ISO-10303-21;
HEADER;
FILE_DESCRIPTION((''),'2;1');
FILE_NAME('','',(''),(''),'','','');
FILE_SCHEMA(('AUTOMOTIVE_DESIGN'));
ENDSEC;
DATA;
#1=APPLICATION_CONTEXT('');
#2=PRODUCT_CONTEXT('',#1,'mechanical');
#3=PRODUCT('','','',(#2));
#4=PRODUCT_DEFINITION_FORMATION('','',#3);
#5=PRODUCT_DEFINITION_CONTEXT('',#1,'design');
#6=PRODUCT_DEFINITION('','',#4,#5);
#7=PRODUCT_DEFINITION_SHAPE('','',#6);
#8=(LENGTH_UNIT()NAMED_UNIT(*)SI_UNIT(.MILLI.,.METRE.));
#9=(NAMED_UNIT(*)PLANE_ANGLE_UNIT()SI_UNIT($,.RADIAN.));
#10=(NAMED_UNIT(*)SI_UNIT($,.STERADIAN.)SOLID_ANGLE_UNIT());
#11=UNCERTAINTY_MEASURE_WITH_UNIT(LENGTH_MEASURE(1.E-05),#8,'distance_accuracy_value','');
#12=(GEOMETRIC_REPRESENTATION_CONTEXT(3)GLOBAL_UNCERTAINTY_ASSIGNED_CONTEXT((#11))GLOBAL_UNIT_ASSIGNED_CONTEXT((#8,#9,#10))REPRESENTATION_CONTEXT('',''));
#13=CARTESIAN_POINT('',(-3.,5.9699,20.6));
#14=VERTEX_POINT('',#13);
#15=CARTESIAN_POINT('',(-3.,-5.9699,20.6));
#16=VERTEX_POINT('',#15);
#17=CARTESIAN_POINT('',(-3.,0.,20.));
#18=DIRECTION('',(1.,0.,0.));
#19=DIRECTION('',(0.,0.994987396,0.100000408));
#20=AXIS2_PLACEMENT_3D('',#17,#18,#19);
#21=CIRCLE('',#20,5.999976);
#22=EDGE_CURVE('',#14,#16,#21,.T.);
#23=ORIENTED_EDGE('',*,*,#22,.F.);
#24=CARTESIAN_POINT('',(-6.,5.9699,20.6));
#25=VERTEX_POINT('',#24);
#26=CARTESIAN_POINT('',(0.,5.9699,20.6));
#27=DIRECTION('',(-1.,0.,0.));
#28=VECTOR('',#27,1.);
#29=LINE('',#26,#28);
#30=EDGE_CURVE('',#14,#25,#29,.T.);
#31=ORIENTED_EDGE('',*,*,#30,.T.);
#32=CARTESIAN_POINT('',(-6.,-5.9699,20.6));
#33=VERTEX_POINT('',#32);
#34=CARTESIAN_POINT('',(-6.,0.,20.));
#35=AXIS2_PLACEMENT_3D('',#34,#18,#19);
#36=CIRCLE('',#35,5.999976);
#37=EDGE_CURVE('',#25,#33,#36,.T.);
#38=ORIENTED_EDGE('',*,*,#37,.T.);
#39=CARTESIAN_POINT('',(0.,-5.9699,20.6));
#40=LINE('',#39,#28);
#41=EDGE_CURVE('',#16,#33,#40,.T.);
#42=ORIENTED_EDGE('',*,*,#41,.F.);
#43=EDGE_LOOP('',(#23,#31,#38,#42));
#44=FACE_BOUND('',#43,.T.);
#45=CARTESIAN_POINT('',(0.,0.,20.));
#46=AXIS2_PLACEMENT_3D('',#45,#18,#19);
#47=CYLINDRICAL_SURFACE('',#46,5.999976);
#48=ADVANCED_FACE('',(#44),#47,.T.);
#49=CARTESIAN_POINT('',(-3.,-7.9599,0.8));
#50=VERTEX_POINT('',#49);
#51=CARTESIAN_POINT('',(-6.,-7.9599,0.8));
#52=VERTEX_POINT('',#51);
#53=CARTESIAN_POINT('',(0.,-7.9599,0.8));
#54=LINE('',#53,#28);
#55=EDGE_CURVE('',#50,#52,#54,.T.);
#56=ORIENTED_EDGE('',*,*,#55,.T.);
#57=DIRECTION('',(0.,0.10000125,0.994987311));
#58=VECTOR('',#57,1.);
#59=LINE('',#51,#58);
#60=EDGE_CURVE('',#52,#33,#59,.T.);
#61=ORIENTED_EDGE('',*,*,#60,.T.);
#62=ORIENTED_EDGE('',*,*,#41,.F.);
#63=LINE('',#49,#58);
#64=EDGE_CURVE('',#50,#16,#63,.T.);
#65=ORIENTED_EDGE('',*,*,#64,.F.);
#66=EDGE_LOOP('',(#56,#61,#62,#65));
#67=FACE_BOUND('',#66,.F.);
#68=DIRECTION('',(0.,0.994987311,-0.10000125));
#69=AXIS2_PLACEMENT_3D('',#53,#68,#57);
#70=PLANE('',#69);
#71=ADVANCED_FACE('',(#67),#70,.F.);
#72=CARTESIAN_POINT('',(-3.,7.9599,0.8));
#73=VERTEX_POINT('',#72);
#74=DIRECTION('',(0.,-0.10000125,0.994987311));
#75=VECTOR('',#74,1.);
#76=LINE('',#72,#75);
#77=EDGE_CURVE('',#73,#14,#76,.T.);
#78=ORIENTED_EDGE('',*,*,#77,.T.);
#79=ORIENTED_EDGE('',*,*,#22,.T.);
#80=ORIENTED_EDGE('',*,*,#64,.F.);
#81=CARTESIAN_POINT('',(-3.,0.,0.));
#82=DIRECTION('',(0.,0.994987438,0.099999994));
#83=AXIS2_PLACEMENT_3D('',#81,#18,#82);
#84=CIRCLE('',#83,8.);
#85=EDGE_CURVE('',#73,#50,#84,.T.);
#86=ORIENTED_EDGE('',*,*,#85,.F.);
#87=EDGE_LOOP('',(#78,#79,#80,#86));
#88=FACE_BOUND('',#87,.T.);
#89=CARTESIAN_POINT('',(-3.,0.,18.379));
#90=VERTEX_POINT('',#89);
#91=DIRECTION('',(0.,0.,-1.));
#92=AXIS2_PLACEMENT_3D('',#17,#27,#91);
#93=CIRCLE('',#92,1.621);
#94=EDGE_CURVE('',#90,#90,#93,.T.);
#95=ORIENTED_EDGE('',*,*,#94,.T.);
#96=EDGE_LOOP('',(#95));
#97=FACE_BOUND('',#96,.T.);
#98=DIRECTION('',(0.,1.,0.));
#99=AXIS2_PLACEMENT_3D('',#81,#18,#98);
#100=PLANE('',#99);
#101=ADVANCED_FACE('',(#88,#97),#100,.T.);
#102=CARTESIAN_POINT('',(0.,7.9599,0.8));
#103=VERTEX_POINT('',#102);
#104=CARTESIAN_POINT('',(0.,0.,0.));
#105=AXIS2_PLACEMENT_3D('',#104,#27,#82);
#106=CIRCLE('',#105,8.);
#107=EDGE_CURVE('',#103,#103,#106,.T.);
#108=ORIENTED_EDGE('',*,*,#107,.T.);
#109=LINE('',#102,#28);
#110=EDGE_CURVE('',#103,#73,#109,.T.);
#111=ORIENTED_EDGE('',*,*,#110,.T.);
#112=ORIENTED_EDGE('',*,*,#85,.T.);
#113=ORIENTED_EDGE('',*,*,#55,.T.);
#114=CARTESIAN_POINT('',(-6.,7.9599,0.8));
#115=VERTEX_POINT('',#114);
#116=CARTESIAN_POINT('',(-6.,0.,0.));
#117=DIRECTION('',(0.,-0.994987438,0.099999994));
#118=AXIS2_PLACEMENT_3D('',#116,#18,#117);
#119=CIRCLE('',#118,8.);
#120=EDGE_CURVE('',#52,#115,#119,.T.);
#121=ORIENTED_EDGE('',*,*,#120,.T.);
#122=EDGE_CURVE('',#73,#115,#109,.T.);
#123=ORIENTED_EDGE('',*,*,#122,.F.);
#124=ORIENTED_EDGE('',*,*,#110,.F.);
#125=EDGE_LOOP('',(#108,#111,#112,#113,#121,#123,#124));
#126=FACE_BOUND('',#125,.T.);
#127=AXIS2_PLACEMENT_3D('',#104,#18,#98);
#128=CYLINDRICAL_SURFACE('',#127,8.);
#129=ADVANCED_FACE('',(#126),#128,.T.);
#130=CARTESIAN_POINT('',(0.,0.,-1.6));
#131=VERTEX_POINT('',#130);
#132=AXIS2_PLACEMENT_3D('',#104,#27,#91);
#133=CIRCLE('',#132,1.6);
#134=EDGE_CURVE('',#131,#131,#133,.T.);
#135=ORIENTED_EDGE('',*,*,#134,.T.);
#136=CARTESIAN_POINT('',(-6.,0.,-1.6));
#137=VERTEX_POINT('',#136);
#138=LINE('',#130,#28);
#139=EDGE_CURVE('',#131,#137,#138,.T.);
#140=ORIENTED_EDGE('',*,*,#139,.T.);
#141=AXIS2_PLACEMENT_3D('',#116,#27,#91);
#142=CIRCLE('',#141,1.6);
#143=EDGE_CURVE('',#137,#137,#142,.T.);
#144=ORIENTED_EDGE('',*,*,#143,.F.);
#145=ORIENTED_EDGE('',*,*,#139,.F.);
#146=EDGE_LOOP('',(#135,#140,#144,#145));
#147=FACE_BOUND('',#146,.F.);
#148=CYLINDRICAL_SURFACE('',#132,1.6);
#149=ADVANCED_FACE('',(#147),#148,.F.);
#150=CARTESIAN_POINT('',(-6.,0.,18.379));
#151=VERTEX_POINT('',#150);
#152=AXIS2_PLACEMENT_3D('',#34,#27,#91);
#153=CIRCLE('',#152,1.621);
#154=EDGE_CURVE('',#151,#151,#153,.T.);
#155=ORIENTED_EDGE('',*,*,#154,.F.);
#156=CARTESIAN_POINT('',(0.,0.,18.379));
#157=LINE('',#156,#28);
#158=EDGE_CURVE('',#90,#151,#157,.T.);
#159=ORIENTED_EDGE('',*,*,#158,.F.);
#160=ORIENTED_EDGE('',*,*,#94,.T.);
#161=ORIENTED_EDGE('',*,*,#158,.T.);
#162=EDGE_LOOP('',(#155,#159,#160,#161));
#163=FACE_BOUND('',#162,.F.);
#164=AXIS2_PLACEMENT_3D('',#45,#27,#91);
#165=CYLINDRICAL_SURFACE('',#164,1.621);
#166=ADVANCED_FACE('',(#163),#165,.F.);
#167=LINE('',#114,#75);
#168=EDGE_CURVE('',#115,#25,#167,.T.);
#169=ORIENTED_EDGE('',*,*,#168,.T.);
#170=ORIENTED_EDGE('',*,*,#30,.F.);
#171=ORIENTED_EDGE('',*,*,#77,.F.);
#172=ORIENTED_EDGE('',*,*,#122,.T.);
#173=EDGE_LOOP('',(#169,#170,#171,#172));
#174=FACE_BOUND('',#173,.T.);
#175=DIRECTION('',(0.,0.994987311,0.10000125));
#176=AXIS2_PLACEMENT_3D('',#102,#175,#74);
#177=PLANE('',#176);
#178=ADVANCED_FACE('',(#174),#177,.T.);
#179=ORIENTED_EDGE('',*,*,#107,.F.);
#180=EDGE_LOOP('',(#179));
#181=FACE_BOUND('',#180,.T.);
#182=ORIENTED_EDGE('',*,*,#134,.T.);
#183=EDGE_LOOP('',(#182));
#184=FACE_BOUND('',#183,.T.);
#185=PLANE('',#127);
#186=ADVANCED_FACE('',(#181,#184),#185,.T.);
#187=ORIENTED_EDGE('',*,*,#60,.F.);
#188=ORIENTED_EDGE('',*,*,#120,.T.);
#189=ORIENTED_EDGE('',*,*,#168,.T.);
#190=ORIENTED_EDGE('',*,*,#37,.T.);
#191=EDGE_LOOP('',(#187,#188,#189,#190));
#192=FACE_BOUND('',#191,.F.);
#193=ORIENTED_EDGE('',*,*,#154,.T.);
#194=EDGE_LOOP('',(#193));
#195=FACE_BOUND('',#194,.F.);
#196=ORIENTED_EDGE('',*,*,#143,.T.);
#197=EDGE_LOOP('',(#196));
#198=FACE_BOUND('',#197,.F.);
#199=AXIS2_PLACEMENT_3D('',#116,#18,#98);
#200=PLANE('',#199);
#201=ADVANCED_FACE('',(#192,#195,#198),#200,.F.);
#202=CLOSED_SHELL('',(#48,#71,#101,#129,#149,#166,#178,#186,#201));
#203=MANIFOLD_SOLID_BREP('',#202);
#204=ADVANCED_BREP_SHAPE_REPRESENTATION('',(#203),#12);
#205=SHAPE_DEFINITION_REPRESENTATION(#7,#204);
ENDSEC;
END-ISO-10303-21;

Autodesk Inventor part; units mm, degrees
ref_plane "YZ Plane" through (0, 0, 0) normal (1, 0, 0) x (0, 1, 0)
ref_plane "XZ Plane" through (0, 0, 0) normal (0, 1, 0) x (-1, 0, 0)
ref_plane "XY Plane" through (0, 0, 0) normal (0, 0, 1) x (1, 0, 0)
sketch "Sketch1" plane through (0, 0, 0) normal (1, 0, 0) x (0, 1, 0)
  circle A0 centre (0, 0) radius 8
  line L0 (0, 20) -> (0, 0) construction
  arc A1 (5.9699, 20.6) -> (-5.9699, 20.6) centre (0, 20) ccw
  line L1 (-7.9599, 0.8) -> (-5.9699, 20.6)
  line L2 (7.9599, 0.8) -> (5.9699, 20.6)
  line L3 (-5.3312, 5.9647) -> (7.8312, -1.6346) construction
  line L4 (5.3312, -5.9647) -> (-7.8312, 1.6346) construction
  line L5 (-6.9282, 4) -> (6.9282, -4) construction
  line L6 (-5.3116, 5.9823) -> (7.8366, -1.6088)
  line L7 (-7.8366, 1.6088) -> (5.3116, -5.9823)
  line L8 (5.3312, 5.9647) -> (-7.8312, -1.6346) construction
  line L9 (-5.3312, -5.9647) -> (7.8312, 1.6346) construction
  line L10 (6.9282, 4) -> (-6.9282, -4) construction
  line L11 (5.3116, 5.9823) -> (-7.8366, -1.6088)
  line L12 (7.8366, 1.6088) -> (-5.3116, -5.9823)
  line L13 (-7.5911, 2.525) -> (7.5911, 2.525)
  line L14 (-7.5993, 2.5) -> (7.5993, 2.5) construction
  line L15 (-8, 0) -> (8, 0) construction
  line L16 (-7.5911, -2.525) -> (7.5911, -2.525)
  line L17 (-7.5993, -2.5) -> (7.5993, -2.5) construction
  point P0 (7.9599, 0.8)
  point P1 (-5.3116, -5.9823)
  point P2 (0, -2.9156)
  point P3 (5.3116, -5.9823)
  point P4 (5.05, 0)
  point P5 (7.8366, 1.6088)
  point P6 (5.3116, 5.9823)
  point P7 (0, 2.9156)
  point P8 (-7.8366, 1.6088)
  point P9 (-5.05, 0)
  point P10 (-7.8366, -1.6088)
  dimension "d0" = 16
  dimension "d1" = 20
  dimension "d2" = 12
  dimension "d28" = 60
  dimension "d29" = 5
  dimension "d30" = 0.025
  dimension "d31" = 5
  dimension "d32" = 0.025
extrude "Extrusion1" add sketch "Sketch1" against normal blind 6
extrude "Extrusion2" cut sketch "Sketch1" against normal blind 3 contours A0 L1 A1 L2
hole "M4" at (0, 0, 20) direction (-1, 0, 0) diameter 3.242 end through all thread size "M4x0.7" class "6H" standard "ANSI Metric M Profile"
hole "Phi3.2" at (0, 0, 0) direction (-1, 0, 0) diameter 3.2 end through all
equation "\"d31\" = d29"
equation "\"d32\" = d30"
properties part number "LongCrankFrameBasis" material "Aluminum 7075"
